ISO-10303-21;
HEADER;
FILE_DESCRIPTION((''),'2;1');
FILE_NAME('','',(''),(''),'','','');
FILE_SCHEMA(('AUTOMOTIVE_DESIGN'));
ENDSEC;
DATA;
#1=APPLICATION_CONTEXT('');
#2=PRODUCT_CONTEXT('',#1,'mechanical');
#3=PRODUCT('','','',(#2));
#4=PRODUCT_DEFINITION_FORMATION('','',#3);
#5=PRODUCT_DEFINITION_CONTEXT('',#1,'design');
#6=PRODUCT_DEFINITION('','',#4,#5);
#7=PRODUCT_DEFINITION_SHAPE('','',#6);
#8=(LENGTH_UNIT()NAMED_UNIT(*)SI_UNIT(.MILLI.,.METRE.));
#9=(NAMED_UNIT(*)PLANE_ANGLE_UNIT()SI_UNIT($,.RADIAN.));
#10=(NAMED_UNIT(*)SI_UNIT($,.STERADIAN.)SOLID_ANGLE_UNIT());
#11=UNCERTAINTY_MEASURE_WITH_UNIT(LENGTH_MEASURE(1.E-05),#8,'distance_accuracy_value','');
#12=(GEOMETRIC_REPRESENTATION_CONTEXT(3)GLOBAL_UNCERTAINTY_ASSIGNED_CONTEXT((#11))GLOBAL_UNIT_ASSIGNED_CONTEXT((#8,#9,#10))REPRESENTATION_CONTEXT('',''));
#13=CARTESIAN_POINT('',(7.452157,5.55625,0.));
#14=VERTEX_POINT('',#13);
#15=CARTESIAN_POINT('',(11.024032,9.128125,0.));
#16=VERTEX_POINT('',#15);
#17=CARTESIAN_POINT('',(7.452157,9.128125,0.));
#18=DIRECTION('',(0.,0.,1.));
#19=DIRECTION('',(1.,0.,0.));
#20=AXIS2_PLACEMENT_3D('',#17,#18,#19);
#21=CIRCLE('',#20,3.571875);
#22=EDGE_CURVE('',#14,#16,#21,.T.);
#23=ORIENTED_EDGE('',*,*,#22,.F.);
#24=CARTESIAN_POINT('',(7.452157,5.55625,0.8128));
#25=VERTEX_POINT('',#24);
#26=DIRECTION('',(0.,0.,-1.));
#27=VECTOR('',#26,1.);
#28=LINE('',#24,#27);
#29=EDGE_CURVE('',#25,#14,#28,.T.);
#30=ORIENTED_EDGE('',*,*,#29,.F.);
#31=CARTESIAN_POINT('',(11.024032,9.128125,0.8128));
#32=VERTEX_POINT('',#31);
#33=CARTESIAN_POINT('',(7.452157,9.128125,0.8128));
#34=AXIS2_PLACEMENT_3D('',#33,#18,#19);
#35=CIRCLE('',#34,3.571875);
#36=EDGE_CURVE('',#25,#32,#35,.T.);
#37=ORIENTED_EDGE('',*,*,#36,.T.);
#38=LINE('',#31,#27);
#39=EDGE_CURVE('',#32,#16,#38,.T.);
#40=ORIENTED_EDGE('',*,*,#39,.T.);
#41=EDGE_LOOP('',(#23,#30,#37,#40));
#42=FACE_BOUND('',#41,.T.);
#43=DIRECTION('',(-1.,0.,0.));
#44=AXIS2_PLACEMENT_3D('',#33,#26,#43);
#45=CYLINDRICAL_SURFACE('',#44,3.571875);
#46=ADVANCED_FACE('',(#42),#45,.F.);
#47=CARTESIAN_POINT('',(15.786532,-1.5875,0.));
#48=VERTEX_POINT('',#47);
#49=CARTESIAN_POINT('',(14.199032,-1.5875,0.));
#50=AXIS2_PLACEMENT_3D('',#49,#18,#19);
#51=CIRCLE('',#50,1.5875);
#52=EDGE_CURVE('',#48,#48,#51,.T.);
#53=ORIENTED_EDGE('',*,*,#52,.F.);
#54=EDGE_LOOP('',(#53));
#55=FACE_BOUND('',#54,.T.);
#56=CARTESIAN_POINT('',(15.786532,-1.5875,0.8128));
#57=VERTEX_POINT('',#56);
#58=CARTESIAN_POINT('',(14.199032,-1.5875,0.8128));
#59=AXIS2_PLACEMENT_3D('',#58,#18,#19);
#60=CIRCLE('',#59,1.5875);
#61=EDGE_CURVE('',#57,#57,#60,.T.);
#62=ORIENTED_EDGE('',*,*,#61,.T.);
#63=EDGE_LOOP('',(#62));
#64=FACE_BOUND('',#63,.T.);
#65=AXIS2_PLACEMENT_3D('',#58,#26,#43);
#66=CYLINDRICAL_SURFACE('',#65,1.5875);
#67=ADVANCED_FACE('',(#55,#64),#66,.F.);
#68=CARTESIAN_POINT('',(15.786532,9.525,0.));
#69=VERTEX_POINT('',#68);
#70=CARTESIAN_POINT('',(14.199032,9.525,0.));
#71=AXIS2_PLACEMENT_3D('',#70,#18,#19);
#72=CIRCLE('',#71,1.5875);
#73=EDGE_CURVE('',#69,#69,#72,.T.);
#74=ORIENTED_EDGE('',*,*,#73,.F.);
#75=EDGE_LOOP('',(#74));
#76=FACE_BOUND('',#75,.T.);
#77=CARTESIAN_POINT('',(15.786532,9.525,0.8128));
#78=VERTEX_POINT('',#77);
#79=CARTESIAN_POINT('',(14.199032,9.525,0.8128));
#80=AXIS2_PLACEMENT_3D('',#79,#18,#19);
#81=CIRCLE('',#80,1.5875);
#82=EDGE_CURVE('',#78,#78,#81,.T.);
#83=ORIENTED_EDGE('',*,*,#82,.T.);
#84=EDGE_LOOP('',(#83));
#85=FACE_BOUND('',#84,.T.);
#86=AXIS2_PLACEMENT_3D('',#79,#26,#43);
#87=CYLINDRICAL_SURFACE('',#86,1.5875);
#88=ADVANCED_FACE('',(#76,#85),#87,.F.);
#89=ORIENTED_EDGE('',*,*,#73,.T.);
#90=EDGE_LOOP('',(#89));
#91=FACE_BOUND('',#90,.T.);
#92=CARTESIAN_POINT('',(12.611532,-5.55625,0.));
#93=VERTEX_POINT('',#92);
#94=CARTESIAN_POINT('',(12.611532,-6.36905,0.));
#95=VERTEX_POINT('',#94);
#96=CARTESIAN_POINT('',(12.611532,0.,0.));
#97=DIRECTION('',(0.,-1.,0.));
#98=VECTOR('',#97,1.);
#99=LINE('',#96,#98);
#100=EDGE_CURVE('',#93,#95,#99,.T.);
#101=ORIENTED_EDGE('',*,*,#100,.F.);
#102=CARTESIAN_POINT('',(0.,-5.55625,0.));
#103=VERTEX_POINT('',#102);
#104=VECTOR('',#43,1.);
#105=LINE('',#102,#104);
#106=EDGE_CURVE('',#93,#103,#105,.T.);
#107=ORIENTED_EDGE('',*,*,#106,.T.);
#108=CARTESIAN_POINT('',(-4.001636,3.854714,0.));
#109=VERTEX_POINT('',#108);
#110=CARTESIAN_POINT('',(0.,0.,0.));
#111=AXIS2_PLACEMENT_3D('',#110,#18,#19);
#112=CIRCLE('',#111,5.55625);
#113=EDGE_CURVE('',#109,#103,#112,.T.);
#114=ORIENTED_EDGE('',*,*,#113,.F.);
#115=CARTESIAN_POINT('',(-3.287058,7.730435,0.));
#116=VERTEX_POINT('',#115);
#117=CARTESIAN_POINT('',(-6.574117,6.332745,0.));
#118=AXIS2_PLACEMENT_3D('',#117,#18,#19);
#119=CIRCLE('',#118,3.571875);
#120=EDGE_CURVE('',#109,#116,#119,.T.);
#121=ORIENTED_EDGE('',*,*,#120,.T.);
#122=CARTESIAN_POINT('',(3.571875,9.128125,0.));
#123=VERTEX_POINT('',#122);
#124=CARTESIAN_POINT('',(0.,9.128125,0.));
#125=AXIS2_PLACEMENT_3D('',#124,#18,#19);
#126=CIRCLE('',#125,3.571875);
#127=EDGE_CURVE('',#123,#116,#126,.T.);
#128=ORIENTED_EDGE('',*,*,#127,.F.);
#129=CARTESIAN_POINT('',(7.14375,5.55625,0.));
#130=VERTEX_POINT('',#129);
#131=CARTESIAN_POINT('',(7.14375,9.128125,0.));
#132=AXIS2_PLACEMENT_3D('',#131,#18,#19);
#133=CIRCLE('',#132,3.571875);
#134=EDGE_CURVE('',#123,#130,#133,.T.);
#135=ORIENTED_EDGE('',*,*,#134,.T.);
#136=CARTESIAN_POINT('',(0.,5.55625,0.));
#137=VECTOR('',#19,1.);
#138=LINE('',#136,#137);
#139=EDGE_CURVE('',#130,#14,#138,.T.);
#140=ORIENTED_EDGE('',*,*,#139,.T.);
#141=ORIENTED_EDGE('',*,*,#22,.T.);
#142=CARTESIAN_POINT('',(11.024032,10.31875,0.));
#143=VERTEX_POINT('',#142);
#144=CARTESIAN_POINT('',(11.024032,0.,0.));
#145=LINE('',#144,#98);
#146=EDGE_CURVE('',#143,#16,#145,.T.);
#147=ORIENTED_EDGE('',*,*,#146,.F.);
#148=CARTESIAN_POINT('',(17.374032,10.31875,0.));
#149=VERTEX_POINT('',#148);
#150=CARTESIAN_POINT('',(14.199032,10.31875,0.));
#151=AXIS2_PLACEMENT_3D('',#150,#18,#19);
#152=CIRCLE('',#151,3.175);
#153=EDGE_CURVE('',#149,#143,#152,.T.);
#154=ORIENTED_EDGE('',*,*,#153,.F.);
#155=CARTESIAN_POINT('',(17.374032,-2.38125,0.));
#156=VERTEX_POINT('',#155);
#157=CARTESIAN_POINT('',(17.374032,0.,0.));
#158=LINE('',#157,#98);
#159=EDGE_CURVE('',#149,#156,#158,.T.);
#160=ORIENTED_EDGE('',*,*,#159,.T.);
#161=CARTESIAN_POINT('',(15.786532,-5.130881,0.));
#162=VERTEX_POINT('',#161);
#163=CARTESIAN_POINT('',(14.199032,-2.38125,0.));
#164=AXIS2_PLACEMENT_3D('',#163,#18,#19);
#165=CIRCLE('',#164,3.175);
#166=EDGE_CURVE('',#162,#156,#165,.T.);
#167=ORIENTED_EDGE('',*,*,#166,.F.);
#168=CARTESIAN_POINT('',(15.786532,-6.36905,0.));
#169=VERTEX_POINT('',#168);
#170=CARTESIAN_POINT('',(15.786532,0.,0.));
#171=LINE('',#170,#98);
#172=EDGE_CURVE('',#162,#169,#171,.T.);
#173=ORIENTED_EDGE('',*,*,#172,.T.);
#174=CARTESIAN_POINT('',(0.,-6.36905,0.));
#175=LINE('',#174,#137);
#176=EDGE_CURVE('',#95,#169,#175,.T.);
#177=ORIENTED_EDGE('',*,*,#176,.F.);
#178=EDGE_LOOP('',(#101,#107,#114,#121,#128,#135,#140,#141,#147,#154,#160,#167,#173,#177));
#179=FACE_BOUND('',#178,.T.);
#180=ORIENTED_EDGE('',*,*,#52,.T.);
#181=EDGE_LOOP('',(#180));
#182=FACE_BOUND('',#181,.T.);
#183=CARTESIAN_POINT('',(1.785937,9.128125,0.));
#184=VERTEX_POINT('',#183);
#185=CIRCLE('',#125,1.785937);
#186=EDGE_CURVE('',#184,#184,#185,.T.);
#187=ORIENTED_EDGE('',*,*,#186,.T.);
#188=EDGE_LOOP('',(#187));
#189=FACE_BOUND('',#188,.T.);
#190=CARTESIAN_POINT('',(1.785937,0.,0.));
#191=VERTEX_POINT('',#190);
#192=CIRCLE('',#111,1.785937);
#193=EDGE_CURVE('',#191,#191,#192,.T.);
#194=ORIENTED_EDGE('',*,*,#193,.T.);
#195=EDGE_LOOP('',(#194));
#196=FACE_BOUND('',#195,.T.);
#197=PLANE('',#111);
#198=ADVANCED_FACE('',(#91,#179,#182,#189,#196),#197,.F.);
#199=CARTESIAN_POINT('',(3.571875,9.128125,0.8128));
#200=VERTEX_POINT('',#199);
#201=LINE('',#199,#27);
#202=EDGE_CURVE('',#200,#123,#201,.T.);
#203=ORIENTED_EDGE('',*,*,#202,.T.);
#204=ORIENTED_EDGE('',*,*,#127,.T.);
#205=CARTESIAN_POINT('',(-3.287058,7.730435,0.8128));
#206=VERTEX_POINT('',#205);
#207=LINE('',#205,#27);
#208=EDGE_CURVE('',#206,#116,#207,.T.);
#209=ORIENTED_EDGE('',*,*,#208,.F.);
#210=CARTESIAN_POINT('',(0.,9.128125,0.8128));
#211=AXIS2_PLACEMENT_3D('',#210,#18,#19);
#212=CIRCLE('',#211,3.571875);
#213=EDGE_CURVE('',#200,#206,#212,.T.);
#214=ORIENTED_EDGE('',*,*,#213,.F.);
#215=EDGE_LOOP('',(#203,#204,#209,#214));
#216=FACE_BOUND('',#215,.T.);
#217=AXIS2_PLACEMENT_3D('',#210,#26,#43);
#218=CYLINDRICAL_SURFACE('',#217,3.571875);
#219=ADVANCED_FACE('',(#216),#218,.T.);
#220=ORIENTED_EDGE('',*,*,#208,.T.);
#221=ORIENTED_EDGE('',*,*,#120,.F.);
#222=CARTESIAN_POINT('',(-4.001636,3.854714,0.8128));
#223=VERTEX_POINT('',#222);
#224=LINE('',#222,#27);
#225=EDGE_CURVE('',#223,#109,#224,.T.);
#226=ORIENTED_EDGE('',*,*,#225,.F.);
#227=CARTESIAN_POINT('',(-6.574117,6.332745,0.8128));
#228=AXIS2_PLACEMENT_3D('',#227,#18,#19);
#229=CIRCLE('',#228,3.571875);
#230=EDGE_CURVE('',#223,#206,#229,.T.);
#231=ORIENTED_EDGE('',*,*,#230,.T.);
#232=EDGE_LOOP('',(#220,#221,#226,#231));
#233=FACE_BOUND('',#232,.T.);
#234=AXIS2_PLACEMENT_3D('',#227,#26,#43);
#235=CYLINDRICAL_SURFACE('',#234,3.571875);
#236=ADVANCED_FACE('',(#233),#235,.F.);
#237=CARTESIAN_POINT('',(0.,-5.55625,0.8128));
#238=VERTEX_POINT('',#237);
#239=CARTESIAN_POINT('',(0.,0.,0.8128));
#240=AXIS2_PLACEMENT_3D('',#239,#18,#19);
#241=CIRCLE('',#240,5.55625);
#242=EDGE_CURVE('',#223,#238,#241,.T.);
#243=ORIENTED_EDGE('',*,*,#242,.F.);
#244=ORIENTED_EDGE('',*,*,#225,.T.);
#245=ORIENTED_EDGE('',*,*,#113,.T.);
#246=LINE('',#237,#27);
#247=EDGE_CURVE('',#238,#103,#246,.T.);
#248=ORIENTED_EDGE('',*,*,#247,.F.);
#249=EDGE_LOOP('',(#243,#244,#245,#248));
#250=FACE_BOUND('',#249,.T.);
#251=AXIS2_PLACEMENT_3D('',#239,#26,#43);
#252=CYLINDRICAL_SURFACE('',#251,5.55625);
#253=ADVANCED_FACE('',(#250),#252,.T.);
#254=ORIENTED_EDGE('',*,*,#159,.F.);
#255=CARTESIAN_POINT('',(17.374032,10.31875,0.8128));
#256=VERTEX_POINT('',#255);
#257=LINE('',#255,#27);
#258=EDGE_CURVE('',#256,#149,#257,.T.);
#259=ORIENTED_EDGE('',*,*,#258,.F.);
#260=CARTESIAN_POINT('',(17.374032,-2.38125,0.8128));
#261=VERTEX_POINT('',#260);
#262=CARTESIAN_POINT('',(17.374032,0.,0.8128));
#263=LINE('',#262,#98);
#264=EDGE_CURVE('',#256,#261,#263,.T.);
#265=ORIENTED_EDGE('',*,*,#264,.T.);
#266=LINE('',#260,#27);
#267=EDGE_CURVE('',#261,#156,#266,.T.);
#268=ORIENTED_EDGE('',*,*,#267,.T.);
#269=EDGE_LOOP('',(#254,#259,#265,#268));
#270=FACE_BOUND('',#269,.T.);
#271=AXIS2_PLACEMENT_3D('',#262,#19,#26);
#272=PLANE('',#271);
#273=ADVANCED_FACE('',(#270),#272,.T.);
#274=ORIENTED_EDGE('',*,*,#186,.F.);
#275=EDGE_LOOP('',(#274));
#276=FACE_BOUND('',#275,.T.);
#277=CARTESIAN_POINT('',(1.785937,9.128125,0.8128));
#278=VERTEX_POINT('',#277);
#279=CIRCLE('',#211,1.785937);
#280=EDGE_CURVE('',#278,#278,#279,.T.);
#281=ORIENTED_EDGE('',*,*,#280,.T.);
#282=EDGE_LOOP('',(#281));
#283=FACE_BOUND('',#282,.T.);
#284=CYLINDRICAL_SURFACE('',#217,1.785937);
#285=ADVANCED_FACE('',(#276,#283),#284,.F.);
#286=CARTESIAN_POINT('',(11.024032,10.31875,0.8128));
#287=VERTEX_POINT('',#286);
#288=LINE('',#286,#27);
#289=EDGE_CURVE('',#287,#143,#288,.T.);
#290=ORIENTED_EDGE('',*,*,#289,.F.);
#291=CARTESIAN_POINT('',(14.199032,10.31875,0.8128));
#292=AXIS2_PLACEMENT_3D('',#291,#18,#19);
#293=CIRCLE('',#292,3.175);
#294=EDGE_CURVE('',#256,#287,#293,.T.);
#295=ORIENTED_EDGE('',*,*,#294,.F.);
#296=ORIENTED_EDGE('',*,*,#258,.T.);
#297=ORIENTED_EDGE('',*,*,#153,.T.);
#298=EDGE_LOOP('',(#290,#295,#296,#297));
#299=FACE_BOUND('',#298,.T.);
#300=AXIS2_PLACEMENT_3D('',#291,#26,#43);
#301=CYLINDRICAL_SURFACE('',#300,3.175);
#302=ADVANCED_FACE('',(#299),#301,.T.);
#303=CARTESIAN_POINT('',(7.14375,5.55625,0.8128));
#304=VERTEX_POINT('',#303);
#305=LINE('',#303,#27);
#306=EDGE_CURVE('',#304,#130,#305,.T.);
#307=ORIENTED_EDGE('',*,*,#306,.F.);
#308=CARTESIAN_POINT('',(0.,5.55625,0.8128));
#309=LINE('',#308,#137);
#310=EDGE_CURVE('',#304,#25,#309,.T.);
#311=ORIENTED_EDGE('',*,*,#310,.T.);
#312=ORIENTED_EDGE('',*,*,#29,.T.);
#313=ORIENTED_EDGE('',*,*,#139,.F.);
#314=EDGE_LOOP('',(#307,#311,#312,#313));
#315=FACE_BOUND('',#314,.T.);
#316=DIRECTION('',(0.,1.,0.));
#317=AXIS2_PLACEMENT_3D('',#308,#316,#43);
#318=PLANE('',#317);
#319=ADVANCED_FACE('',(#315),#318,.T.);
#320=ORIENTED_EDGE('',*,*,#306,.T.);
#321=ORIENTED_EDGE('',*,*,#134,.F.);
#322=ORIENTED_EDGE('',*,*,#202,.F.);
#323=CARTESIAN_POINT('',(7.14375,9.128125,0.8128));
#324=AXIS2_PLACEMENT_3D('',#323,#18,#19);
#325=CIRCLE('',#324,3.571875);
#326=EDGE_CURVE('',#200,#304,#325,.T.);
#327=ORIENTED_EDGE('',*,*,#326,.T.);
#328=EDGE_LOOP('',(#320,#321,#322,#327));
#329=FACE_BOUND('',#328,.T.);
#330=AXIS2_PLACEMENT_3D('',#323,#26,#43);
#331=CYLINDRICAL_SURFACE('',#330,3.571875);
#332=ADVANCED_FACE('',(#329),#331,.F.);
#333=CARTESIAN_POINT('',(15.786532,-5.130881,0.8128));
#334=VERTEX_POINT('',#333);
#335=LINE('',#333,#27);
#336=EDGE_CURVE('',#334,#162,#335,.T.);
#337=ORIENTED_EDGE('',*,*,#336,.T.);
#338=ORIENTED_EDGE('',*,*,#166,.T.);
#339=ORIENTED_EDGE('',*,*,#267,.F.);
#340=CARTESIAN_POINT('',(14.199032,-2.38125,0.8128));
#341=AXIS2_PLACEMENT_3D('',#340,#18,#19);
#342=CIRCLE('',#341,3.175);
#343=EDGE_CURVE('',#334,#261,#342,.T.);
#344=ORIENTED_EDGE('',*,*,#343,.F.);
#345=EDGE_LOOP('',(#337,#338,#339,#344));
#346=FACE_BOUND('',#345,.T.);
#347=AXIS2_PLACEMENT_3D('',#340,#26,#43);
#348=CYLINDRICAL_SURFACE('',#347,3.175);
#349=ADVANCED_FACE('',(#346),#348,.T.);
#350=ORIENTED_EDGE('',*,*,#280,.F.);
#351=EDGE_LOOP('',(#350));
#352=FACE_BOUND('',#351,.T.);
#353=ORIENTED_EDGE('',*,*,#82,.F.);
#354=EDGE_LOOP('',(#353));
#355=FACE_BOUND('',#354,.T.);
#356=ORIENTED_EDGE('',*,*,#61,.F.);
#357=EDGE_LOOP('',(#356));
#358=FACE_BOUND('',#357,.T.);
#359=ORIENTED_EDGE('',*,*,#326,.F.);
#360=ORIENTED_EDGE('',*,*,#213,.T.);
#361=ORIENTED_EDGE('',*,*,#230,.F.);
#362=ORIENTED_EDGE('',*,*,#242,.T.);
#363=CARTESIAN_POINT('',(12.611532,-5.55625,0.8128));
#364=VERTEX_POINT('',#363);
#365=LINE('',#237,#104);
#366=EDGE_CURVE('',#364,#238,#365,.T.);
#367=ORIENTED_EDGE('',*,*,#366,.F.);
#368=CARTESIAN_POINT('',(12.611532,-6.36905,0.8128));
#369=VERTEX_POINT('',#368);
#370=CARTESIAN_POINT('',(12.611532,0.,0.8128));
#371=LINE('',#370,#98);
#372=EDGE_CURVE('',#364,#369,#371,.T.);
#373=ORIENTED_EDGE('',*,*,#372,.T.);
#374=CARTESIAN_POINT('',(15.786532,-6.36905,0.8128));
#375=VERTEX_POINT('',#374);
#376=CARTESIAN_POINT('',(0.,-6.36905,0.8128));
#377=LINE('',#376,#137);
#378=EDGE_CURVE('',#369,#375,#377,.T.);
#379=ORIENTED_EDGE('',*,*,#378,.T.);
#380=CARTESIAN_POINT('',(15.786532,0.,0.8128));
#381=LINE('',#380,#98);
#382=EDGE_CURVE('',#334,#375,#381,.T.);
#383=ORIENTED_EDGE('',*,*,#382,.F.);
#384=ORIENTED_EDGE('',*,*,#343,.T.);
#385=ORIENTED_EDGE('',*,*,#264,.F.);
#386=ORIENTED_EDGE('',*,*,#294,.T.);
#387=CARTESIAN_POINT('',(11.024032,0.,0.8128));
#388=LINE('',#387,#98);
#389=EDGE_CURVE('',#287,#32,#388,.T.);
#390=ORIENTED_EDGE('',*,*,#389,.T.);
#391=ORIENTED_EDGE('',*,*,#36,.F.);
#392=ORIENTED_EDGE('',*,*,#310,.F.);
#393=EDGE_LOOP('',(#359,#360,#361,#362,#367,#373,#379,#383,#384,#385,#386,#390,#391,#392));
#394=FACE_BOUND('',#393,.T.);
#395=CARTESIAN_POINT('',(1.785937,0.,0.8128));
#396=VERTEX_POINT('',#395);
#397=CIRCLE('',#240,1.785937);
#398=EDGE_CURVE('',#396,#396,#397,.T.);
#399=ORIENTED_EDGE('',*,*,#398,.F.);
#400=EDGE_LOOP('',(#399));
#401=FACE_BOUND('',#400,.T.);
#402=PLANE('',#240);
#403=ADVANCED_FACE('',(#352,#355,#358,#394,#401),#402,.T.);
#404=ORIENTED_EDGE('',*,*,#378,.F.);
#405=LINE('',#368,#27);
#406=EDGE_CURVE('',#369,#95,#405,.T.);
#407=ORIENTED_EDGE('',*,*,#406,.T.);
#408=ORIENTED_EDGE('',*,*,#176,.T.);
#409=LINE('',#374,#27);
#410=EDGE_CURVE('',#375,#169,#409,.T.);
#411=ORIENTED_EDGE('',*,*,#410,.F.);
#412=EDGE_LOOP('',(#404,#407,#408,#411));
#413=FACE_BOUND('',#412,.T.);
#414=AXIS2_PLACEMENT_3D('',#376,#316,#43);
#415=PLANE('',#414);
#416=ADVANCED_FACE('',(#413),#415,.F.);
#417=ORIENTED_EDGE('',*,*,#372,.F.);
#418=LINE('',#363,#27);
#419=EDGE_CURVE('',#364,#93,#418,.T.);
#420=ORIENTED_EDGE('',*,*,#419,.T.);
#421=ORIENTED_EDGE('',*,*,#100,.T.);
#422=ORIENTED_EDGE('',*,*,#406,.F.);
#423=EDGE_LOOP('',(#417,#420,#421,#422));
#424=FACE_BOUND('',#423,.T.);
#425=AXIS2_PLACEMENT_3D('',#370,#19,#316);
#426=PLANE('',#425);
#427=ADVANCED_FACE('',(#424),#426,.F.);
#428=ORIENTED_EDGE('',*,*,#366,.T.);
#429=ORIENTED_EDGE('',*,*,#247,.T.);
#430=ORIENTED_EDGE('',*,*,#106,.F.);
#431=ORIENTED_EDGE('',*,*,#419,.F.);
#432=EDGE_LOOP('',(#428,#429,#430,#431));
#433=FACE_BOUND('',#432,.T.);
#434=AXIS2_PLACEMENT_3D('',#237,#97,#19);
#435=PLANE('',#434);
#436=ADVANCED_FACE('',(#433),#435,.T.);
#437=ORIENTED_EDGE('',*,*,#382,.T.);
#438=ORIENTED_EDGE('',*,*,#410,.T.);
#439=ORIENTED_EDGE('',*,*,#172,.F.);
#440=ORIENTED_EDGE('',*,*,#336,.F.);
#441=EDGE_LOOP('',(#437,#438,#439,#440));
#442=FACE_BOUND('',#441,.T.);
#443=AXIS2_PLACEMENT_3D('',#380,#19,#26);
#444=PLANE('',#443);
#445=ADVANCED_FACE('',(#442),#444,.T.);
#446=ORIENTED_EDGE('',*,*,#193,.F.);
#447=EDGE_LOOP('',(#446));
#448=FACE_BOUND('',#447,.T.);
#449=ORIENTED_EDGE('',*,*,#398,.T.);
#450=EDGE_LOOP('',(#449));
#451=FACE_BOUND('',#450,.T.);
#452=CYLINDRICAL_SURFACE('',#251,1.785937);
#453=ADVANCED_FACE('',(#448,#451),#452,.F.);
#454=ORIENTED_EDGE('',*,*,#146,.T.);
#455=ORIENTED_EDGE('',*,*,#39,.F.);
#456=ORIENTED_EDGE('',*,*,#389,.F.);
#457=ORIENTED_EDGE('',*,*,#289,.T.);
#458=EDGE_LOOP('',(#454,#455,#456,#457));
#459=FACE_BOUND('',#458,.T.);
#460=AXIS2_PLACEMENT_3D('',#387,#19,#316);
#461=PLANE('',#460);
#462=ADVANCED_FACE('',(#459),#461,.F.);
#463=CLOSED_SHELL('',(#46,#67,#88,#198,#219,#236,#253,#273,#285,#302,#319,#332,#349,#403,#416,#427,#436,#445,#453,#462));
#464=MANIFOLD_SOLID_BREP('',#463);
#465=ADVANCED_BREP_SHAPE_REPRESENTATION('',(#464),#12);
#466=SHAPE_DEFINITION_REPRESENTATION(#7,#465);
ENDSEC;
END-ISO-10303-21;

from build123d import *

# Parameters (mm, degrees)
SKETCH1_R           = 1.7859375
SKETCH1_R_2         = 1.5875
BOSS_EXTRUDE1_DEPTH = 0.8128


with BuildPart() as part:
    # Sketch1 → Boss-Extrude1 (new body)
    with BuildSketch(Plane.XY):
        with BuildLine():
            Line((17.374031657, -2.38125), (17.374031657, 10.31875))
            ThreePointArc((17.374031657, 10.31875), (14.199031657, 13.49375), (11.024031657, 10.31875))
            Line((11.024031657, 10.31875), (11.024031657, 9.128125))
            ThreePointArc((11.024031657, 9.128125), (9.977853691, 6.602427966), (7.452156657, 5.55625))
            Line((7.452156657, 5.55625), (7.14374999, 5.55625))
            ThreePointArc((7.14374999, 5.55625), (4.618052962, 6.602427969), (3.571875, 9.128125))
            ThreePointArc((3.571875, 9.128125), (-0.713207259, 12.628071631), (-3.287058429, 7.730434799))
            ThreePointArc((-3.287058429, 7.730434799), (-3.061446655, 5.68510334), (-4.001636336, 3.854714088))
            ThreePointArc((-4.001636336, 3.854714088), (-5.113201992, -2.17418478), (0, -5.55625))
            Line((0, -5.55625), (12.611531657, -5.55625))
            Line((12.611531657, -5.55625), (12.611531657, -6.36905))
            Line((12.611531657, -6.36905), (15.786531657, -6.36905))
            Line((15.786531657, -6.36905), (15.786531657, -5.130880657))
            ThreePointArc((15.786531657, -5.130880657), (16.948662314, -3.96875), (17.374031657, -2.38125))
        make_face()
        Circle(SKETCH1_R, mode=Mode.SUBTRACT)
        with Locations((14.199031657, -1.5875)):
            Circle(SKETCH1_R_2, mode=Mode.SUBTRACT)
        with Locations((0, 9.128125)):
            Circle(SKETCH1_R, mode=Mode.SUBTRACT)
        with Locations((14.199031657, 9.525)):
            Circle(SKETCH1_R_2, mode=Mode.SUBTRACT)
    extrude(amount=BOSS_EXTRUDE1_DEPTH)


solid = part.part
